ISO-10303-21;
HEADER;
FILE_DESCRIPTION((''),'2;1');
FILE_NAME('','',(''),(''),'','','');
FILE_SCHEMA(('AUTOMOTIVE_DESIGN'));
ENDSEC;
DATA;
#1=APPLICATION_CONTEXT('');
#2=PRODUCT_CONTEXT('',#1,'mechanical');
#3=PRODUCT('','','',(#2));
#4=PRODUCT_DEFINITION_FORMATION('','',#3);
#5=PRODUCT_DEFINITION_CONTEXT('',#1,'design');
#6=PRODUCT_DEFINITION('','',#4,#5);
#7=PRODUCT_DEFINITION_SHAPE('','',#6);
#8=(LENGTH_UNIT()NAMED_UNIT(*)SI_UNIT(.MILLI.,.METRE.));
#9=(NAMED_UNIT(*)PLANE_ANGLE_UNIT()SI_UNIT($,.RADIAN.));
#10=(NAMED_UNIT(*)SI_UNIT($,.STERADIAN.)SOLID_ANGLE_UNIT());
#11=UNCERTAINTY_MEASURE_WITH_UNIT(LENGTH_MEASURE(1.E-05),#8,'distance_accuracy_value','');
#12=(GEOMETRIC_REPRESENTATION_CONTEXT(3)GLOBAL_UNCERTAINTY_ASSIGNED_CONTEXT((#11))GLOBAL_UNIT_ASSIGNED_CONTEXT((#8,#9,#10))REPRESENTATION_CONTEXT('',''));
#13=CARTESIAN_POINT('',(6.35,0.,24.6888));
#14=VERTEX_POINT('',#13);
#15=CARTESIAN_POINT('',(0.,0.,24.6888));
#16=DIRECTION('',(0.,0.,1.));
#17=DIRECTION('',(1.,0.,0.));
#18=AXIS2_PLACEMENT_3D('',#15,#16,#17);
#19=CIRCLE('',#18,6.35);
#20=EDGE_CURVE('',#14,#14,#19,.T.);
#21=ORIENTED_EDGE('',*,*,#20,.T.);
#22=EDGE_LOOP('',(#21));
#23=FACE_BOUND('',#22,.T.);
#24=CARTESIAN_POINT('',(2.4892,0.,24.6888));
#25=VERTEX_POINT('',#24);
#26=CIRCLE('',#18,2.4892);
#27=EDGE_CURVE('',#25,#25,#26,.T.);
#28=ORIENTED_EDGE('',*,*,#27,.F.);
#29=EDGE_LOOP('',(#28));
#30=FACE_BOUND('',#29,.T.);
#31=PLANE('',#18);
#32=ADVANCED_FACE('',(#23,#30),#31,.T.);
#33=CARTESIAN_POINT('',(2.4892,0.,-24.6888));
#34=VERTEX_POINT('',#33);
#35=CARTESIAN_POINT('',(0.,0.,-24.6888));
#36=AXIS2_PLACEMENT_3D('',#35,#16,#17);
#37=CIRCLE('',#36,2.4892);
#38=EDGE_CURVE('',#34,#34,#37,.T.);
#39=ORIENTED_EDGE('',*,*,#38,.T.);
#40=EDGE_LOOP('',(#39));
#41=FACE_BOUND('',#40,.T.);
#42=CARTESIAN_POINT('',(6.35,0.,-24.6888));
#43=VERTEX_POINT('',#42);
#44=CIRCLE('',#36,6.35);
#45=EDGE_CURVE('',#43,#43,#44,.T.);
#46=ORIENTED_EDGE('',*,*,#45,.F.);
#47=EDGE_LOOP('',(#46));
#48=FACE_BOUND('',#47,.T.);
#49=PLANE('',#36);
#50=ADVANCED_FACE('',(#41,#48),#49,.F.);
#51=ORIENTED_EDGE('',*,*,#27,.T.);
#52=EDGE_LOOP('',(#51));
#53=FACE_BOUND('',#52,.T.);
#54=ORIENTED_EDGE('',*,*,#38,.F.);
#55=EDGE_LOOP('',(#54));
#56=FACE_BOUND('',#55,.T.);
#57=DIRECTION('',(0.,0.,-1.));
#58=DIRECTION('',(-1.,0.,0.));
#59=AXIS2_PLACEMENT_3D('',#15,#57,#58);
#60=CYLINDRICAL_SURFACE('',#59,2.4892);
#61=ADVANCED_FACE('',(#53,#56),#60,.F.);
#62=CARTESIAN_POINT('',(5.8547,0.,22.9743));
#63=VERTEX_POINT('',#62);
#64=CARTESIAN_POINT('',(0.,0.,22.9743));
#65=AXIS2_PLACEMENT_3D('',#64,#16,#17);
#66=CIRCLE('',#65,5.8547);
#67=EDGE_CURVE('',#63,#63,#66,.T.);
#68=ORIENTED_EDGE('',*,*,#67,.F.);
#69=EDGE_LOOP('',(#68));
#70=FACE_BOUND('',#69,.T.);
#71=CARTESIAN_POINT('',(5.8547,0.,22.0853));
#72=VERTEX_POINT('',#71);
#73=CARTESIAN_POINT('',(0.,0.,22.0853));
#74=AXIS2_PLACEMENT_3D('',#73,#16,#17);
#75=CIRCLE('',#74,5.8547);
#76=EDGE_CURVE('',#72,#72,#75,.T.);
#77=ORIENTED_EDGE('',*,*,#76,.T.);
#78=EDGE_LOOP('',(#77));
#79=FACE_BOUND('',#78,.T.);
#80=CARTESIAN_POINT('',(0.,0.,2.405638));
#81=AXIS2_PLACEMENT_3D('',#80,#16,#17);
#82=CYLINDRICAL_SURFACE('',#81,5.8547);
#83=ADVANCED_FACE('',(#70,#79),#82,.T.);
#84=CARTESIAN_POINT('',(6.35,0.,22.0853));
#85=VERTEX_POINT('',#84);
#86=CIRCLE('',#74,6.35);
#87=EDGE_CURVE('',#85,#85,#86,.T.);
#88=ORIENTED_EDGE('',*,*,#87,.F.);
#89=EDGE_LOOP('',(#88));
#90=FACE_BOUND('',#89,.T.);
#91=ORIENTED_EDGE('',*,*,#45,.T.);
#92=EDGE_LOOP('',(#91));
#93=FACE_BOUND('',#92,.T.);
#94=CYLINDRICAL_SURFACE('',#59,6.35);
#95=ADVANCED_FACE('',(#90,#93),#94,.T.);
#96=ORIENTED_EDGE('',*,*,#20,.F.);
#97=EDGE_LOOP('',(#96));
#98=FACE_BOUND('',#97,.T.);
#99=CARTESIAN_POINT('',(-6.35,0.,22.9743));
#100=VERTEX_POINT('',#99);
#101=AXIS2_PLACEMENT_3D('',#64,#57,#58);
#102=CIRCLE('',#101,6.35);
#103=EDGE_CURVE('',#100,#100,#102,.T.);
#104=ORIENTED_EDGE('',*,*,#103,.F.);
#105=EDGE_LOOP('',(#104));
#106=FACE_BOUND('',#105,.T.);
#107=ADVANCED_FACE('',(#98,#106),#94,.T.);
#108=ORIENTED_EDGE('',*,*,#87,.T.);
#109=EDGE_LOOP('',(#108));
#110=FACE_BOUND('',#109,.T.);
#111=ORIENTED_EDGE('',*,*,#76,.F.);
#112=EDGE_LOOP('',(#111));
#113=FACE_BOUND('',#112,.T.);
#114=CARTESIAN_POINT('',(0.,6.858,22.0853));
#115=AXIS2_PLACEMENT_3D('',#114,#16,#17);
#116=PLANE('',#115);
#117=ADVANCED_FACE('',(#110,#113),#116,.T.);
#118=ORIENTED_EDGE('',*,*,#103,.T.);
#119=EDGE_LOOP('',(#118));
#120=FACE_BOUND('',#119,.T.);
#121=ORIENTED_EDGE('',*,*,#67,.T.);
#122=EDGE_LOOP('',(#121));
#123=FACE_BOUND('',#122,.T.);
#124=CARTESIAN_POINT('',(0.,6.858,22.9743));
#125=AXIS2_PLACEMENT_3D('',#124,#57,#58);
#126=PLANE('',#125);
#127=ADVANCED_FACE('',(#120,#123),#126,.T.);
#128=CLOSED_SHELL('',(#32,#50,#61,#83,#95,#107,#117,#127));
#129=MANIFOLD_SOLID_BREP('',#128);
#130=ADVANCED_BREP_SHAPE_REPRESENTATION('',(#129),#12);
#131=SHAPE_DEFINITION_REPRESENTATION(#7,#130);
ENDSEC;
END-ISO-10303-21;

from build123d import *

# Parameters (mm, degrees)
SKETCH1_R           = 6.35
SKETCH1_R_2         = 2.4892
BOSS_EXTRUDE1_DEPTH = 24.6888
SKETCH2_W           = 0.889
SKETCH2_H           = 1.0033


with BuildPart() as part:
    # Sketch1 → Boss-Extrude1 (new, symmetric)
    with BuildSketch(Plane.XY):
        Circle(SKETCH1_R)
        Circle(SKETCH1_R_2, mode=Mode.SUBTRACT)
    extrude(amount=BOSS_EXTRUDE1_DEPTH, both=True)

    # Sketch2 → Cut-Revolve1 (revolve, cut)
    with BuildSketch(Plane(origin=(0, 0, 0), x_dir=(0, 0, -1), z_dir=(1, 0, 0)), mode=Mode.PRIVATE) as cut_revolve1_sk:
        with Locations((-22.5298, 6.35635)):
            Rectangle(SKETCH2_W, SKETCH2_H)
    revolve(cut_revolve1_sk.sketch.rotate(Axis((0, 0, 2.405637885), (0, 0, -1)), 90), axis=Axis((0, 0, 2.405637885), (0, 0, -1)), mode=Mode.SUBTRACT)


solid = part.part
